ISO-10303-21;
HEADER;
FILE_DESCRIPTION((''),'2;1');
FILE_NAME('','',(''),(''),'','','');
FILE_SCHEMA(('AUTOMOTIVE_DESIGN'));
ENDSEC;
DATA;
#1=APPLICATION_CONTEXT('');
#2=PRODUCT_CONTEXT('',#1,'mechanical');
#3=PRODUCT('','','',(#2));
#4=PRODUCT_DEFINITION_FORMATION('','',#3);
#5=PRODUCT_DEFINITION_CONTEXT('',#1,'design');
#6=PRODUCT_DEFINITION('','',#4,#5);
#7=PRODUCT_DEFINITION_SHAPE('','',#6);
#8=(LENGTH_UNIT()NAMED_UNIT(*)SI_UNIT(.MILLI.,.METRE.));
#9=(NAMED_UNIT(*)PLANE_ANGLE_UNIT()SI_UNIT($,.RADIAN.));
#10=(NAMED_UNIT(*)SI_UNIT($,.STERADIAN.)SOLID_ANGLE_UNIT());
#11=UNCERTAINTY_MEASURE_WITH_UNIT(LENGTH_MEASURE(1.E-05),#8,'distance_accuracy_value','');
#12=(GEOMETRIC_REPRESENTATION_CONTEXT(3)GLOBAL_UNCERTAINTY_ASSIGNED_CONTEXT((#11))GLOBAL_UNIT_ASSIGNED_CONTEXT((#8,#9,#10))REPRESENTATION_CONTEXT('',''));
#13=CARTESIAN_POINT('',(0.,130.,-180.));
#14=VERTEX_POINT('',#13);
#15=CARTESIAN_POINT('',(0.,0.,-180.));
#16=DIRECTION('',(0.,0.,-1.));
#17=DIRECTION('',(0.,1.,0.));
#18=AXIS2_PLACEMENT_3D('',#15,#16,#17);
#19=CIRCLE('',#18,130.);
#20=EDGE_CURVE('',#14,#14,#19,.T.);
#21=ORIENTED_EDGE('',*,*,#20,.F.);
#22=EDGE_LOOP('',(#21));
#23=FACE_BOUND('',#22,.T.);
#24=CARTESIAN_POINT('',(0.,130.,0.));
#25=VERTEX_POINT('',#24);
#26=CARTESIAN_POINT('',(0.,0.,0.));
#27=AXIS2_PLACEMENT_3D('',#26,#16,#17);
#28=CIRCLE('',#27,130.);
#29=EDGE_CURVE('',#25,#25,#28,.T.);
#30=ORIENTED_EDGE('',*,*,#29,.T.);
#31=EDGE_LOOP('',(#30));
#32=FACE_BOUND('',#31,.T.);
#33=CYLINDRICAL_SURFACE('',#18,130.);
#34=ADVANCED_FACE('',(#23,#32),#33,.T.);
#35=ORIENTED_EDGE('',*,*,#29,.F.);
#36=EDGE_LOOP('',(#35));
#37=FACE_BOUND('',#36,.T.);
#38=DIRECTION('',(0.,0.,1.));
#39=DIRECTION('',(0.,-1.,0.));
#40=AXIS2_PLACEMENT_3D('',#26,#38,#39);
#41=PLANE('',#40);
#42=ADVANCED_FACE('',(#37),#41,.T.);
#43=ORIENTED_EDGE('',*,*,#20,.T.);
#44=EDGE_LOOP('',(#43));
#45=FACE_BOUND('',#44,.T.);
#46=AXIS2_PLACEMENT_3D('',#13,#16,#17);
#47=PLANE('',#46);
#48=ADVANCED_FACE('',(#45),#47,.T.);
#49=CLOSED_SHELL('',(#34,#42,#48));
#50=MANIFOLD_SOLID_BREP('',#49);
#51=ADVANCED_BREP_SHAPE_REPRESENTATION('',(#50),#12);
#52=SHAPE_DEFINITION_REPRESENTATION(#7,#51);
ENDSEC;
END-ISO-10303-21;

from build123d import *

# Parameters (mm, degrees)
SKETCH1_W = 180
SKETCH1_H = 130


with BuildPart() as part:
    # Sketch1 → Revolve1 (revolve)
    with BuildSketch(Plane(origin=(0, 0, 0), x_dir=(0, 0, -1), z_dir=(1, 0, 0))):
        with Locations((90, 65)):
            Rectangle(SKETCH1_W, SKETCH1_H)
    revolve(axis=Axis((0, 0, -180), (0, 0, 1)))


solid = part.part
